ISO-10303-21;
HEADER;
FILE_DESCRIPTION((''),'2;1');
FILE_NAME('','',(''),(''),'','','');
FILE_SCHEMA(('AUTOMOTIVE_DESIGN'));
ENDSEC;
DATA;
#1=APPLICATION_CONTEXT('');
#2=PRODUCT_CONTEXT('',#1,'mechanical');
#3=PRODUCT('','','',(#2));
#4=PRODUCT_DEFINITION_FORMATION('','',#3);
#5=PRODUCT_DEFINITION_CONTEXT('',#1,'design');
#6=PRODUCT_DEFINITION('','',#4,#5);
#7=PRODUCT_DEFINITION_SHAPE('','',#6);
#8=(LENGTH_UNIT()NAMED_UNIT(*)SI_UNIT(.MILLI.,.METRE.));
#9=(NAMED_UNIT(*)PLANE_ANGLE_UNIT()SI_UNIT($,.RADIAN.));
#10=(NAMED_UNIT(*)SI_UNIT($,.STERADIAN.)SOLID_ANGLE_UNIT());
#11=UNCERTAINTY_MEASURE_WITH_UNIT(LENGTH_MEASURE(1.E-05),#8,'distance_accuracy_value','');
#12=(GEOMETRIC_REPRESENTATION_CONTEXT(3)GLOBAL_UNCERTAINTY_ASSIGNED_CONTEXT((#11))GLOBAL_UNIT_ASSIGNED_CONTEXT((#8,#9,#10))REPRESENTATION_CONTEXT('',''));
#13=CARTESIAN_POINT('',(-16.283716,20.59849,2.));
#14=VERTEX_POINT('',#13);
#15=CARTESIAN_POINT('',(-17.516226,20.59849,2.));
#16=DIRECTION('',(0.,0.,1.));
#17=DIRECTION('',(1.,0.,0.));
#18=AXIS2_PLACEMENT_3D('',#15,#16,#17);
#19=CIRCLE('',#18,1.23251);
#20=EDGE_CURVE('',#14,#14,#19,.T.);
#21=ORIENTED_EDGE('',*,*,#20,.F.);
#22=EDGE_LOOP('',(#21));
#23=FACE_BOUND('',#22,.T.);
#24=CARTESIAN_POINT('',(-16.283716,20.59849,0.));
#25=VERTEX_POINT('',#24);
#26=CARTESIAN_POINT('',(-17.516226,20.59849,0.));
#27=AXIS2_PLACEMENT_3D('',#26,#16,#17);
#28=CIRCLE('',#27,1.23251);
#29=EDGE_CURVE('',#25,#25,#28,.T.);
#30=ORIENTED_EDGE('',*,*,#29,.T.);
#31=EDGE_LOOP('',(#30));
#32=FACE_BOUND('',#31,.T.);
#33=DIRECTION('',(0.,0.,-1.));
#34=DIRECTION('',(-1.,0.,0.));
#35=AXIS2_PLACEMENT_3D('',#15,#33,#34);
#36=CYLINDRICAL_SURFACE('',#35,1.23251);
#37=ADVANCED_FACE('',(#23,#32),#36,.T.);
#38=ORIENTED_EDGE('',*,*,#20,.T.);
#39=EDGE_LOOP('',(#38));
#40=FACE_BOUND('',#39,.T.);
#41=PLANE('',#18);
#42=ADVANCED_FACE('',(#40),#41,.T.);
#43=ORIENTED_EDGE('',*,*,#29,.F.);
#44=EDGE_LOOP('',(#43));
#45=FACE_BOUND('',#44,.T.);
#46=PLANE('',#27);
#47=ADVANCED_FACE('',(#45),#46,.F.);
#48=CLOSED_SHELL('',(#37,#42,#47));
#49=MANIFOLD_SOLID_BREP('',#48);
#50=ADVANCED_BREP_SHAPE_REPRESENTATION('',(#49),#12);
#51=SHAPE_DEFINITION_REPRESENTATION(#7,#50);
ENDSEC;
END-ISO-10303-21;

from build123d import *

# Parameters (mm, degrees)
SKETCH_1_R      = 1.232510044
EXTRUDE_1_DEPTH = 2


with BuildPart() as part:
    # 草图1 → 凸台-拉伸1 (new body)
    with BuildSketch(Plane.XY):
        with Locations((-17.516225754, 20.598490046)):
            Circle(SKETCH_1_R)
    extrude(amount=EXTRUDE_1_DEPTH)


solid = part.part
